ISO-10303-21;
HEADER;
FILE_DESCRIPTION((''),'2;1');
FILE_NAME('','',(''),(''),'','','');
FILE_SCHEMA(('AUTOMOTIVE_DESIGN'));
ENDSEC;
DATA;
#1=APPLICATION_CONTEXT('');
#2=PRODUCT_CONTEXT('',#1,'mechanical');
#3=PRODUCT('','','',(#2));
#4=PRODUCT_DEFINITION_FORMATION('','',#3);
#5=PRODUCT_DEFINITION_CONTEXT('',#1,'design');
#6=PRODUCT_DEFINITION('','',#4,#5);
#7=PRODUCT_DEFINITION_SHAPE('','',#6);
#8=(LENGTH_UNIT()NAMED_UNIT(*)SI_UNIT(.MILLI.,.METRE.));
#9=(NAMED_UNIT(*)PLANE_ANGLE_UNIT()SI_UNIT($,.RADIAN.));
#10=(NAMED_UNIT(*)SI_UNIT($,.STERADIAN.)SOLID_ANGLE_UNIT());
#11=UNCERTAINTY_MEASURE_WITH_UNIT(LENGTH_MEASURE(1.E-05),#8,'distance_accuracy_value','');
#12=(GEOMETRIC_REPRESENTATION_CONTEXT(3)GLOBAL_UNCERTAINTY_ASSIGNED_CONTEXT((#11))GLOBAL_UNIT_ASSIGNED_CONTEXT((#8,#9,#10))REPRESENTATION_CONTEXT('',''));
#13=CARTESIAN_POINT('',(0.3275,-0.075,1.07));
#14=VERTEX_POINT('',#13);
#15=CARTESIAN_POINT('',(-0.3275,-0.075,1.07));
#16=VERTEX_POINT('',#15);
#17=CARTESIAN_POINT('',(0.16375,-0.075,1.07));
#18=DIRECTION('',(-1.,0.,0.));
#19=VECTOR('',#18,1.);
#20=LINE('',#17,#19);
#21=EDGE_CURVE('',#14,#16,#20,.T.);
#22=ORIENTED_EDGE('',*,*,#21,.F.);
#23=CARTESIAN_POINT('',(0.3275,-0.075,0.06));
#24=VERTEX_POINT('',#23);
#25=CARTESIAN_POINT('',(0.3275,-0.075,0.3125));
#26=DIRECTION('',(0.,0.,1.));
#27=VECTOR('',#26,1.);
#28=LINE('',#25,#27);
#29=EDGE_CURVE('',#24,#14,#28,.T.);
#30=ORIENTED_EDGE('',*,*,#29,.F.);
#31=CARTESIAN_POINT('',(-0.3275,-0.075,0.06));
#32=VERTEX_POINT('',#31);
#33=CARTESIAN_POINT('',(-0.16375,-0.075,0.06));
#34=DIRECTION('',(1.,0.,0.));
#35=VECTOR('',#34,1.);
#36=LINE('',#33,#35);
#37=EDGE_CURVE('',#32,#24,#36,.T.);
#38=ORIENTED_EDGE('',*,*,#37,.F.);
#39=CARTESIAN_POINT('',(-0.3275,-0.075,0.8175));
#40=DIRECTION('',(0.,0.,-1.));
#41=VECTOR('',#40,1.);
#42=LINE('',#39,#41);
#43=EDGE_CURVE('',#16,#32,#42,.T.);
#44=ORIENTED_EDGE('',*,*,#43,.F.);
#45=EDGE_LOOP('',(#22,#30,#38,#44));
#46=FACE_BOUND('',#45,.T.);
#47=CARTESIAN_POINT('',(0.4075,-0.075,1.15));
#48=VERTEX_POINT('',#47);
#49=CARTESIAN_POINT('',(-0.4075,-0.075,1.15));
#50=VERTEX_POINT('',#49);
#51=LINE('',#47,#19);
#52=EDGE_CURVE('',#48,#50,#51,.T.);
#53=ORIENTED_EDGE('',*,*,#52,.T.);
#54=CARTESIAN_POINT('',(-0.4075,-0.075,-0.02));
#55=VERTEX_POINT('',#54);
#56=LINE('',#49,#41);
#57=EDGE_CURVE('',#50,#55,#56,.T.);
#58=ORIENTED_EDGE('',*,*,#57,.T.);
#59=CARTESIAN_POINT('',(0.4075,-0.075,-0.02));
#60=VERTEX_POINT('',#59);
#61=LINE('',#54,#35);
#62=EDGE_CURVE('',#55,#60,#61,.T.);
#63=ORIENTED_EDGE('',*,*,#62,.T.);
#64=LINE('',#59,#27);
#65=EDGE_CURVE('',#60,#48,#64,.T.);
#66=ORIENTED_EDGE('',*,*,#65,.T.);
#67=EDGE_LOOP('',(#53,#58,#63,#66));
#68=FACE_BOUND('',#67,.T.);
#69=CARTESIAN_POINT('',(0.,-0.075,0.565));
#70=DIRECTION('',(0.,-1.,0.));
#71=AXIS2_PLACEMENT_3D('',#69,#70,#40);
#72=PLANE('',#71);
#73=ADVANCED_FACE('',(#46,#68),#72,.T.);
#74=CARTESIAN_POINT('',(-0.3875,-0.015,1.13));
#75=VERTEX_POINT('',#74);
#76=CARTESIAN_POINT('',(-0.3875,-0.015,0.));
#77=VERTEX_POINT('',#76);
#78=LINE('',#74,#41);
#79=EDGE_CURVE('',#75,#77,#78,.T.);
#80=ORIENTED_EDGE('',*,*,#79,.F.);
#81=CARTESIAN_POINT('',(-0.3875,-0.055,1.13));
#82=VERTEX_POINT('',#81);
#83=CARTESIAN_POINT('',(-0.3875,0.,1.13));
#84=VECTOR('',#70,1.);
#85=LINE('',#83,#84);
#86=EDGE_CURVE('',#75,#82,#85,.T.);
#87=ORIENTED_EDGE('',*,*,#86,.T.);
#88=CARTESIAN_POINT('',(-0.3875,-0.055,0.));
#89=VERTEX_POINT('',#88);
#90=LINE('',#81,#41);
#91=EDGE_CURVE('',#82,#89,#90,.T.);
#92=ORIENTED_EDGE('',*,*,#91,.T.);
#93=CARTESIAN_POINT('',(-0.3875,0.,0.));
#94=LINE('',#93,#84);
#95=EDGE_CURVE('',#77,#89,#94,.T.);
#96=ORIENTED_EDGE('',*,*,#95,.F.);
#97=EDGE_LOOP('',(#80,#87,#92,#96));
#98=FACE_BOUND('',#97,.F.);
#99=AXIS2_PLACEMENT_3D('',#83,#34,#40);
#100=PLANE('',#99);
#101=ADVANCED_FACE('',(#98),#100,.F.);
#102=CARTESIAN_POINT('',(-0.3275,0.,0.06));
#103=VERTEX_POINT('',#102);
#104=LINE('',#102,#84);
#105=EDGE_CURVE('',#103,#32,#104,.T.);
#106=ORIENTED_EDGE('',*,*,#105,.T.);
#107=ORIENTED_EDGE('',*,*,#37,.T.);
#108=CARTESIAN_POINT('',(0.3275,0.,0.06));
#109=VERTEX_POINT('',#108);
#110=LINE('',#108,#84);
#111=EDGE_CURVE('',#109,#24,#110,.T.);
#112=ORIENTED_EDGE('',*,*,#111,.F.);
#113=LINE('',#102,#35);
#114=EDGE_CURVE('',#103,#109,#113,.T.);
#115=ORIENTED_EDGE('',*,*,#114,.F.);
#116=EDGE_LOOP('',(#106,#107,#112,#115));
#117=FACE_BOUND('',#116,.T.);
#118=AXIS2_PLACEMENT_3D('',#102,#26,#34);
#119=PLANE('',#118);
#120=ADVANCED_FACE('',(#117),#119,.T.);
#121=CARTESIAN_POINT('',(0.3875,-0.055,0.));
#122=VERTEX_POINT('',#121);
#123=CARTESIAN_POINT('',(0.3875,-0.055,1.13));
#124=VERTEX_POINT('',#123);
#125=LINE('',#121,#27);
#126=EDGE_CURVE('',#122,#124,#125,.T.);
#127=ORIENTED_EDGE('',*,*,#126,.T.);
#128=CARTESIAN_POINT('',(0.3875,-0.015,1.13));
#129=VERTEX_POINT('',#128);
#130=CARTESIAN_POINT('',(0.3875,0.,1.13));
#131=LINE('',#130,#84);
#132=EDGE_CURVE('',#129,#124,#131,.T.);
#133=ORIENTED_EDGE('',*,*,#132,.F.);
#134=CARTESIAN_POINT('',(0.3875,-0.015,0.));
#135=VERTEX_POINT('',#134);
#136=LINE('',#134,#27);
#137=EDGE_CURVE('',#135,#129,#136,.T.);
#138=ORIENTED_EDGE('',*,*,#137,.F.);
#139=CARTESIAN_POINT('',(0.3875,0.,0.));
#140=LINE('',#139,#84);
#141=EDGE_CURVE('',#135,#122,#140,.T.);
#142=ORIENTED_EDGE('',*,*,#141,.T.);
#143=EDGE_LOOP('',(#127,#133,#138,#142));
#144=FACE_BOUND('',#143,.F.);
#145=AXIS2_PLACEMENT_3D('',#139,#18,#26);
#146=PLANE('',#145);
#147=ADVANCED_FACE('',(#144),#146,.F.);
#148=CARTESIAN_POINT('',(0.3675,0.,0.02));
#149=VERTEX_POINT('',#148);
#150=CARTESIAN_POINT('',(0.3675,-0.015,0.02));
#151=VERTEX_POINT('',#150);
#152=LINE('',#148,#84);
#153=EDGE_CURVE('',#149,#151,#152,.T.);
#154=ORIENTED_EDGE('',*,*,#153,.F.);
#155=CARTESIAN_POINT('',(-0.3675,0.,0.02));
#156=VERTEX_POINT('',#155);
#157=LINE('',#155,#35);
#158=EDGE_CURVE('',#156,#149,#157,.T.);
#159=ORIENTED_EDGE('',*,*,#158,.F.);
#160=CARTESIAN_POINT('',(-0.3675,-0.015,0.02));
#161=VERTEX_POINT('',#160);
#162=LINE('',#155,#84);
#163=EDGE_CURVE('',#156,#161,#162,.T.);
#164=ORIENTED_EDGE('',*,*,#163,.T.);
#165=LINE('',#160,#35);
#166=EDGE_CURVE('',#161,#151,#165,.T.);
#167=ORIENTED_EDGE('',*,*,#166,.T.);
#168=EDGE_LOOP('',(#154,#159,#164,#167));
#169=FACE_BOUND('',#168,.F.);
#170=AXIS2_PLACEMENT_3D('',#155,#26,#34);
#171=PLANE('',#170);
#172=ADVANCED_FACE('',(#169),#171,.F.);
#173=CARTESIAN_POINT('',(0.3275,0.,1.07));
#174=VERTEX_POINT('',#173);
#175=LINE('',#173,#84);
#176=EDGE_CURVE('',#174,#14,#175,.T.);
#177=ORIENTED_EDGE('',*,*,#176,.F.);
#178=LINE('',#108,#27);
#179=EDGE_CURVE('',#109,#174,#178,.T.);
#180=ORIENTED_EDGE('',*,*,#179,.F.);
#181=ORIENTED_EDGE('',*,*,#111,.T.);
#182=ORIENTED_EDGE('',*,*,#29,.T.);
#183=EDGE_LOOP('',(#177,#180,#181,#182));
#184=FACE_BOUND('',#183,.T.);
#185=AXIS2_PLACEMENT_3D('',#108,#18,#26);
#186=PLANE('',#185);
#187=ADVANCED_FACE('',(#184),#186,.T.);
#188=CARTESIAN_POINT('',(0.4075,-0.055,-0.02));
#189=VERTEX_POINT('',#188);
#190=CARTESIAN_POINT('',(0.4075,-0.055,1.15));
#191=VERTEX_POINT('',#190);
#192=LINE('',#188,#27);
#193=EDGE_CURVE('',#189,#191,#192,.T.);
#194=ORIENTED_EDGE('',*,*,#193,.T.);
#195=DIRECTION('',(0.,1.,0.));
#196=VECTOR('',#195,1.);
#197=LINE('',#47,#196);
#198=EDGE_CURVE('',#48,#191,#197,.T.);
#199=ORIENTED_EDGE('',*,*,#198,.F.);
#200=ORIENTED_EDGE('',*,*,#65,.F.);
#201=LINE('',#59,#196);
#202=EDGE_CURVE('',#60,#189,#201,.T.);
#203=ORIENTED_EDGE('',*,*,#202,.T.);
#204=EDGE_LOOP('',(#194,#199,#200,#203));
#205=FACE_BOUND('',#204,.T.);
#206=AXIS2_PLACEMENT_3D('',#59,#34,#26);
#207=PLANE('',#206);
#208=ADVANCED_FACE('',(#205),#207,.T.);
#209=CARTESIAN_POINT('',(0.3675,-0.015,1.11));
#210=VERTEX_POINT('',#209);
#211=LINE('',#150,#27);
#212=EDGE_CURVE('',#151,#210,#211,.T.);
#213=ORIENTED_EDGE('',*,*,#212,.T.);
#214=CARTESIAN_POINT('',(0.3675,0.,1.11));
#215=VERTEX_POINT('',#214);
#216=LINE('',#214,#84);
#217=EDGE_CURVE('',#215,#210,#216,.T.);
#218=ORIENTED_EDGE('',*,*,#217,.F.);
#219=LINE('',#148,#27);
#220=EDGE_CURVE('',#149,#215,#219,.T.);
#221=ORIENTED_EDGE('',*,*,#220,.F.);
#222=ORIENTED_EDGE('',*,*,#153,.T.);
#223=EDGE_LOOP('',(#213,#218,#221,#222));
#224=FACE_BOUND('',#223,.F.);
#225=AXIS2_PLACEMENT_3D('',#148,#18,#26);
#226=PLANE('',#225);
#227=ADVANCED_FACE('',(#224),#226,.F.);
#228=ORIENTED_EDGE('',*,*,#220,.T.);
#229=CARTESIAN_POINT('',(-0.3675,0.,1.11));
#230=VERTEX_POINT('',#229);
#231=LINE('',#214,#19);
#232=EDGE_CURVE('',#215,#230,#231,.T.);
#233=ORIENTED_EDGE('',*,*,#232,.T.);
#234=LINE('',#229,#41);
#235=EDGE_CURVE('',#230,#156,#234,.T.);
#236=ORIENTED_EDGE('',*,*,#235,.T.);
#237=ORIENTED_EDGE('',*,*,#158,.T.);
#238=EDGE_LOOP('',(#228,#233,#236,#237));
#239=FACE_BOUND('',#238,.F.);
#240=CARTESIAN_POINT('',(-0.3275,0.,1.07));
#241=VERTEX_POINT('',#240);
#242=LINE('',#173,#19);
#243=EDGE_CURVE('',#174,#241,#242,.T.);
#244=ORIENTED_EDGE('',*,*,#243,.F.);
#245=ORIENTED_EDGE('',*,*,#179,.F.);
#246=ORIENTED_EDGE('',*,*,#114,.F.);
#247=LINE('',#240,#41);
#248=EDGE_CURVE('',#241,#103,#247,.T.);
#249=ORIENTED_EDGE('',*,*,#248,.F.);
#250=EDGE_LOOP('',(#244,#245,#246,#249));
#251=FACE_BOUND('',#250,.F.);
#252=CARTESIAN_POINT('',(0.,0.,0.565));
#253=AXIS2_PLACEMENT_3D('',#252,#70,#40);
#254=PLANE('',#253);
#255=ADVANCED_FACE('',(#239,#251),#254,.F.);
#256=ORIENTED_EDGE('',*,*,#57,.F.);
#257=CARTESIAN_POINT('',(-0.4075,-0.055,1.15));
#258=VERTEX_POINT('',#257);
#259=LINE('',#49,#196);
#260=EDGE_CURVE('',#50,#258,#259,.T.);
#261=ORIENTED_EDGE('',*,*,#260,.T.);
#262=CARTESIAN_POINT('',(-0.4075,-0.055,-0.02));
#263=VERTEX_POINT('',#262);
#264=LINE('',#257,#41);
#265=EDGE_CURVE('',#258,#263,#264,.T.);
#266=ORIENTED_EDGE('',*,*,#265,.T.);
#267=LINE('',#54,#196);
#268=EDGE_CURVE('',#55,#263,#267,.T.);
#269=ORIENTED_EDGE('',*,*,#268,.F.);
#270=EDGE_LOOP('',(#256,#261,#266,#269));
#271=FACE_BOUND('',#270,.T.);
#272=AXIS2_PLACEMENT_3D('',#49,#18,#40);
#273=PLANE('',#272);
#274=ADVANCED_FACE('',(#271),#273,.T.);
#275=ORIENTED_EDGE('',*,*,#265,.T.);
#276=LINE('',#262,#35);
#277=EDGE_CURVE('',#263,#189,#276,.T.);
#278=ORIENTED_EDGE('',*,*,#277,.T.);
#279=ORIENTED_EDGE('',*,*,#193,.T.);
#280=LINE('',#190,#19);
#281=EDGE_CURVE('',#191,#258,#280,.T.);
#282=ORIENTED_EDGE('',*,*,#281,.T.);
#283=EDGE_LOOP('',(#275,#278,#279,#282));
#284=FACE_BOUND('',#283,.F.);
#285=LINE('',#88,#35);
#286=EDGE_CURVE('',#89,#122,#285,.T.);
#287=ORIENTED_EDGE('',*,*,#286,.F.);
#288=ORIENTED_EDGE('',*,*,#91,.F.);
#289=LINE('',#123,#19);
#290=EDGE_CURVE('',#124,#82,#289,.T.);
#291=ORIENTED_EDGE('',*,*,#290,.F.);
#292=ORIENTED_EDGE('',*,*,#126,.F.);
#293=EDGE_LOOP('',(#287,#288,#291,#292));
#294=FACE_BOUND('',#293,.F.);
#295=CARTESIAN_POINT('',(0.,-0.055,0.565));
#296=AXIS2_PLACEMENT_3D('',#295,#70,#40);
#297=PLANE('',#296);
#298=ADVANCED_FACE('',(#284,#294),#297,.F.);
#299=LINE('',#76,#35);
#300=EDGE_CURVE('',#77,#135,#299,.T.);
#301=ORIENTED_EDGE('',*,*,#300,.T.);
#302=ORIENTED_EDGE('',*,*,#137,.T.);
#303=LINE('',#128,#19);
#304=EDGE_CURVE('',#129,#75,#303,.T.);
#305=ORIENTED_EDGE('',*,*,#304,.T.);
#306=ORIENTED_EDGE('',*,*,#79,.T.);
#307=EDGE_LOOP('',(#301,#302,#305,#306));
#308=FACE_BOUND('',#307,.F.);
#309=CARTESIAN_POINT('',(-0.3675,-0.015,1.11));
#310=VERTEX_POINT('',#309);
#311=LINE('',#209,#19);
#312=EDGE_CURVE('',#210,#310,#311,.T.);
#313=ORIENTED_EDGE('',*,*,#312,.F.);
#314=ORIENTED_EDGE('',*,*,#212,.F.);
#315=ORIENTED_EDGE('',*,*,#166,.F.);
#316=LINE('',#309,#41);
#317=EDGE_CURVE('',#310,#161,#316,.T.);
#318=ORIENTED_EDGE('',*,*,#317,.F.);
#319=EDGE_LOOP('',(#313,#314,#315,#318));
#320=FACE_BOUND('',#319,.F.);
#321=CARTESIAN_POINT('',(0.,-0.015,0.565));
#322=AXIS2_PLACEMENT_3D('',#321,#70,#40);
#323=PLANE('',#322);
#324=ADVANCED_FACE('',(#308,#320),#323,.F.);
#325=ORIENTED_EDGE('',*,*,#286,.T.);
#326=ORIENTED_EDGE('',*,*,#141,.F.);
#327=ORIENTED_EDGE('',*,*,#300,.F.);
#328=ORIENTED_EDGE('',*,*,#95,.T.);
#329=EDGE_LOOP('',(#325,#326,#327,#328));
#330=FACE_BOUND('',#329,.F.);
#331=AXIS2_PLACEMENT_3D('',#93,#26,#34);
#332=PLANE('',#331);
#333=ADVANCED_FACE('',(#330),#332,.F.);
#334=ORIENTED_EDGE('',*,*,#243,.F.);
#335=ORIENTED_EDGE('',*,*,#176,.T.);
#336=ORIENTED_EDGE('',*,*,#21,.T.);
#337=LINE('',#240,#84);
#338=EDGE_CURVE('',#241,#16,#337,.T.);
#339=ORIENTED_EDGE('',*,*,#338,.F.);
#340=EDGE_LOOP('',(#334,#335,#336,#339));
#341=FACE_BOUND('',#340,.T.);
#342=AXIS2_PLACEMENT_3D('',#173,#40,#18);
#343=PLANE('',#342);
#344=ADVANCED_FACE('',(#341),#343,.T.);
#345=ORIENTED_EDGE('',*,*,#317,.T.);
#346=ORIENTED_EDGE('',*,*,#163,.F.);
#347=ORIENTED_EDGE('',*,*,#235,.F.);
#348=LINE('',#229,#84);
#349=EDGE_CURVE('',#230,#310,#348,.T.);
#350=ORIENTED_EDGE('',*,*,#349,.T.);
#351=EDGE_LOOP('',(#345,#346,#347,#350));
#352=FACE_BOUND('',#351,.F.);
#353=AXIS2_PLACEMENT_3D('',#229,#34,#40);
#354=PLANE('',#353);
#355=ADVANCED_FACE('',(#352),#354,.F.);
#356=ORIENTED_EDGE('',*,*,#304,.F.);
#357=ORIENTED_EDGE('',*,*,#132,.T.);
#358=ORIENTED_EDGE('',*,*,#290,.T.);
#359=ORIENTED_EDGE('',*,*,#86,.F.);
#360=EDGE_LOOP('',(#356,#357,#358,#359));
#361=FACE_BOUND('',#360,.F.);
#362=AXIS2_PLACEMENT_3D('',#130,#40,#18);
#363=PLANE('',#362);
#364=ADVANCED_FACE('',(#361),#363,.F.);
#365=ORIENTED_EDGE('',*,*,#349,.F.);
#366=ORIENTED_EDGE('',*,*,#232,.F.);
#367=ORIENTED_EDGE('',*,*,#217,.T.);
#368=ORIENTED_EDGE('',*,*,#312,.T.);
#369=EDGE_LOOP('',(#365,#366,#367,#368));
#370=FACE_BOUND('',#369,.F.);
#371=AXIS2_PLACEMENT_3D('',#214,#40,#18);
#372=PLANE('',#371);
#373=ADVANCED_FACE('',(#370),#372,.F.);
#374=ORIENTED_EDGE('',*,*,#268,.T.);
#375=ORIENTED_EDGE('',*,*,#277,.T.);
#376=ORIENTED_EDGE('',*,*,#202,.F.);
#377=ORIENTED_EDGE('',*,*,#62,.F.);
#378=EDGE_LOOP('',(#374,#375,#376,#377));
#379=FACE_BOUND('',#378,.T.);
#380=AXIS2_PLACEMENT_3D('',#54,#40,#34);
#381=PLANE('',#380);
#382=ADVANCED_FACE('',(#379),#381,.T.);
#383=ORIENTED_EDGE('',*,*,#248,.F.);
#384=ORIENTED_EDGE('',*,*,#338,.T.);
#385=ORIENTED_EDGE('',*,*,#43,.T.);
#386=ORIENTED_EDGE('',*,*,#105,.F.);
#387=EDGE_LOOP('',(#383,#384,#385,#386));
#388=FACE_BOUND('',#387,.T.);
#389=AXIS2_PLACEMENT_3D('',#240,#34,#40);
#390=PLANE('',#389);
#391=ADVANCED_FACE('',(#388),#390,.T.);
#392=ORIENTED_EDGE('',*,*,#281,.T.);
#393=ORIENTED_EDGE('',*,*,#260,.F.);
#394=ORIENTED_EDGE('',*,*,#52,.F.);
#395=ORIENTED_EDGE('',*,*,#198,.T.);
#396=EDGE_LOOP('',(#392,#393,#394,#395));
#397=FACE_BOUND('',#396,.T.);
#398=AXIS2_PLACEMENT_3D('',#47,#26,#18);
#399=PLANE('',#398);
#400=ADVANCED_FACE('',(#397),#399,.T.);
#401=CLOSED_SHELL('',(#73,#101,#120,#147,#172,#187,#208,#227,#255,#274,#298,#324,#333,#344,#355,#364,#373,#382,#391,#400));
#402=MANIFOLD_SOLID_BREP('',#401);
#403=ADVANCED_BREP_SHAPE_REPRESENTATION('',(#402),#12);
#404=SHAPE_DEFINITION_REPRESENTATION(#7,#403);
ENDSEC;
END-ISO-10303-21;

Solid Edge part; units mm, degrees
sketch "Sketch1" plane through (0, 0, 0) normal (0, -1, 0) x (1, 0, 0)
  line L0 (-0.3875, 0) -> (0.3875, 0)
  line L1 (0.3875, 0) -> (0.3875, 1.13)
  line L2 (0.3875, 1.13) -> (-0.3875, 1.13)
  line L3 (-0.3875, 1.13) -> (-0.3875, 0)
  dimension "D1" = 1.13
  dimension "D2" = 0.775
extrude "Protrusion1" add sketch "Sketch1" along normal blind 0.075
sketch "Sketch2" plane through (0, 0, 0.69) normal (0, 1, 0) x (-1, 0, 0)
  line L0 (-0.3275, 0.38) -> (0.3275, 0.38)
  line L1 (0.3275, 0.38) -> (0.3275, -0.63)
  line L2 (0.3275, -0.63) -> (-0.3275, -0.63)
  line L3 (-0.3275, -0.63) -> (-0.3275, 0.38)
extrude "Cutout1" cut sketch "Sketch2" against normal up to next
sketch "Sketch3" plane through (0, 0, 0.69) normal (0, 1, 0) x (-1, 0, 0)
  line L0 (-0.3675, -0.67) -> (-0.3675, 0.42)
  line L1 (-0.3675, 0.42) -> (0.3675, 0.42)
  line L2 (0.3675, 0.42) -> (0.3675, -0.67)
  line L3 (0.3675, -0.67) -> (-0.3675, -0.67)
  line L4 (-0.3875, -0.69) -> (-0.3875, 0.44)
  line L5 (-0.3875, 0.44) -> (0.3875, 0.44)
  line L6 (0.3875, 0.44) -> (0.3875, -0.69)
  line L7 (0.3875, -0.69) -> (-0.3875, -0.69)
extrude "Ausschnitt_1" cut sketch "Sketch3" against normal blind 0.015
sketch "Sketch4" plane through (0, -0.075, 0.69) normal (0, -1, 0) x (1, 0, 0)
  line L0 (-0.4075, 0.46) -> (-0.4075, -0.71)
  line L1 (-0.4075, -0.71) -> (0.4075, -0.71)
  line L2 (0.4075, -0.71) -> (0.4075, 0.46)
  line L3 (0.4075, 0.46) -> (-0.4075, 0.46)
  line L4 (0.3875, 0.44) -> (-0.3875, 0.44)
  line L5 (-0.3875, 0.44) -> (-0.3875, -0.69)
  line L6 (-0.3875, -0.69) -> (0.3875, -0.69)
  line L7 (0.3875, -0.69) -> (0.3875, 0.44)
extrude "Ausprägung_2" add sketch "Sketch4" against normal blind 0.02
